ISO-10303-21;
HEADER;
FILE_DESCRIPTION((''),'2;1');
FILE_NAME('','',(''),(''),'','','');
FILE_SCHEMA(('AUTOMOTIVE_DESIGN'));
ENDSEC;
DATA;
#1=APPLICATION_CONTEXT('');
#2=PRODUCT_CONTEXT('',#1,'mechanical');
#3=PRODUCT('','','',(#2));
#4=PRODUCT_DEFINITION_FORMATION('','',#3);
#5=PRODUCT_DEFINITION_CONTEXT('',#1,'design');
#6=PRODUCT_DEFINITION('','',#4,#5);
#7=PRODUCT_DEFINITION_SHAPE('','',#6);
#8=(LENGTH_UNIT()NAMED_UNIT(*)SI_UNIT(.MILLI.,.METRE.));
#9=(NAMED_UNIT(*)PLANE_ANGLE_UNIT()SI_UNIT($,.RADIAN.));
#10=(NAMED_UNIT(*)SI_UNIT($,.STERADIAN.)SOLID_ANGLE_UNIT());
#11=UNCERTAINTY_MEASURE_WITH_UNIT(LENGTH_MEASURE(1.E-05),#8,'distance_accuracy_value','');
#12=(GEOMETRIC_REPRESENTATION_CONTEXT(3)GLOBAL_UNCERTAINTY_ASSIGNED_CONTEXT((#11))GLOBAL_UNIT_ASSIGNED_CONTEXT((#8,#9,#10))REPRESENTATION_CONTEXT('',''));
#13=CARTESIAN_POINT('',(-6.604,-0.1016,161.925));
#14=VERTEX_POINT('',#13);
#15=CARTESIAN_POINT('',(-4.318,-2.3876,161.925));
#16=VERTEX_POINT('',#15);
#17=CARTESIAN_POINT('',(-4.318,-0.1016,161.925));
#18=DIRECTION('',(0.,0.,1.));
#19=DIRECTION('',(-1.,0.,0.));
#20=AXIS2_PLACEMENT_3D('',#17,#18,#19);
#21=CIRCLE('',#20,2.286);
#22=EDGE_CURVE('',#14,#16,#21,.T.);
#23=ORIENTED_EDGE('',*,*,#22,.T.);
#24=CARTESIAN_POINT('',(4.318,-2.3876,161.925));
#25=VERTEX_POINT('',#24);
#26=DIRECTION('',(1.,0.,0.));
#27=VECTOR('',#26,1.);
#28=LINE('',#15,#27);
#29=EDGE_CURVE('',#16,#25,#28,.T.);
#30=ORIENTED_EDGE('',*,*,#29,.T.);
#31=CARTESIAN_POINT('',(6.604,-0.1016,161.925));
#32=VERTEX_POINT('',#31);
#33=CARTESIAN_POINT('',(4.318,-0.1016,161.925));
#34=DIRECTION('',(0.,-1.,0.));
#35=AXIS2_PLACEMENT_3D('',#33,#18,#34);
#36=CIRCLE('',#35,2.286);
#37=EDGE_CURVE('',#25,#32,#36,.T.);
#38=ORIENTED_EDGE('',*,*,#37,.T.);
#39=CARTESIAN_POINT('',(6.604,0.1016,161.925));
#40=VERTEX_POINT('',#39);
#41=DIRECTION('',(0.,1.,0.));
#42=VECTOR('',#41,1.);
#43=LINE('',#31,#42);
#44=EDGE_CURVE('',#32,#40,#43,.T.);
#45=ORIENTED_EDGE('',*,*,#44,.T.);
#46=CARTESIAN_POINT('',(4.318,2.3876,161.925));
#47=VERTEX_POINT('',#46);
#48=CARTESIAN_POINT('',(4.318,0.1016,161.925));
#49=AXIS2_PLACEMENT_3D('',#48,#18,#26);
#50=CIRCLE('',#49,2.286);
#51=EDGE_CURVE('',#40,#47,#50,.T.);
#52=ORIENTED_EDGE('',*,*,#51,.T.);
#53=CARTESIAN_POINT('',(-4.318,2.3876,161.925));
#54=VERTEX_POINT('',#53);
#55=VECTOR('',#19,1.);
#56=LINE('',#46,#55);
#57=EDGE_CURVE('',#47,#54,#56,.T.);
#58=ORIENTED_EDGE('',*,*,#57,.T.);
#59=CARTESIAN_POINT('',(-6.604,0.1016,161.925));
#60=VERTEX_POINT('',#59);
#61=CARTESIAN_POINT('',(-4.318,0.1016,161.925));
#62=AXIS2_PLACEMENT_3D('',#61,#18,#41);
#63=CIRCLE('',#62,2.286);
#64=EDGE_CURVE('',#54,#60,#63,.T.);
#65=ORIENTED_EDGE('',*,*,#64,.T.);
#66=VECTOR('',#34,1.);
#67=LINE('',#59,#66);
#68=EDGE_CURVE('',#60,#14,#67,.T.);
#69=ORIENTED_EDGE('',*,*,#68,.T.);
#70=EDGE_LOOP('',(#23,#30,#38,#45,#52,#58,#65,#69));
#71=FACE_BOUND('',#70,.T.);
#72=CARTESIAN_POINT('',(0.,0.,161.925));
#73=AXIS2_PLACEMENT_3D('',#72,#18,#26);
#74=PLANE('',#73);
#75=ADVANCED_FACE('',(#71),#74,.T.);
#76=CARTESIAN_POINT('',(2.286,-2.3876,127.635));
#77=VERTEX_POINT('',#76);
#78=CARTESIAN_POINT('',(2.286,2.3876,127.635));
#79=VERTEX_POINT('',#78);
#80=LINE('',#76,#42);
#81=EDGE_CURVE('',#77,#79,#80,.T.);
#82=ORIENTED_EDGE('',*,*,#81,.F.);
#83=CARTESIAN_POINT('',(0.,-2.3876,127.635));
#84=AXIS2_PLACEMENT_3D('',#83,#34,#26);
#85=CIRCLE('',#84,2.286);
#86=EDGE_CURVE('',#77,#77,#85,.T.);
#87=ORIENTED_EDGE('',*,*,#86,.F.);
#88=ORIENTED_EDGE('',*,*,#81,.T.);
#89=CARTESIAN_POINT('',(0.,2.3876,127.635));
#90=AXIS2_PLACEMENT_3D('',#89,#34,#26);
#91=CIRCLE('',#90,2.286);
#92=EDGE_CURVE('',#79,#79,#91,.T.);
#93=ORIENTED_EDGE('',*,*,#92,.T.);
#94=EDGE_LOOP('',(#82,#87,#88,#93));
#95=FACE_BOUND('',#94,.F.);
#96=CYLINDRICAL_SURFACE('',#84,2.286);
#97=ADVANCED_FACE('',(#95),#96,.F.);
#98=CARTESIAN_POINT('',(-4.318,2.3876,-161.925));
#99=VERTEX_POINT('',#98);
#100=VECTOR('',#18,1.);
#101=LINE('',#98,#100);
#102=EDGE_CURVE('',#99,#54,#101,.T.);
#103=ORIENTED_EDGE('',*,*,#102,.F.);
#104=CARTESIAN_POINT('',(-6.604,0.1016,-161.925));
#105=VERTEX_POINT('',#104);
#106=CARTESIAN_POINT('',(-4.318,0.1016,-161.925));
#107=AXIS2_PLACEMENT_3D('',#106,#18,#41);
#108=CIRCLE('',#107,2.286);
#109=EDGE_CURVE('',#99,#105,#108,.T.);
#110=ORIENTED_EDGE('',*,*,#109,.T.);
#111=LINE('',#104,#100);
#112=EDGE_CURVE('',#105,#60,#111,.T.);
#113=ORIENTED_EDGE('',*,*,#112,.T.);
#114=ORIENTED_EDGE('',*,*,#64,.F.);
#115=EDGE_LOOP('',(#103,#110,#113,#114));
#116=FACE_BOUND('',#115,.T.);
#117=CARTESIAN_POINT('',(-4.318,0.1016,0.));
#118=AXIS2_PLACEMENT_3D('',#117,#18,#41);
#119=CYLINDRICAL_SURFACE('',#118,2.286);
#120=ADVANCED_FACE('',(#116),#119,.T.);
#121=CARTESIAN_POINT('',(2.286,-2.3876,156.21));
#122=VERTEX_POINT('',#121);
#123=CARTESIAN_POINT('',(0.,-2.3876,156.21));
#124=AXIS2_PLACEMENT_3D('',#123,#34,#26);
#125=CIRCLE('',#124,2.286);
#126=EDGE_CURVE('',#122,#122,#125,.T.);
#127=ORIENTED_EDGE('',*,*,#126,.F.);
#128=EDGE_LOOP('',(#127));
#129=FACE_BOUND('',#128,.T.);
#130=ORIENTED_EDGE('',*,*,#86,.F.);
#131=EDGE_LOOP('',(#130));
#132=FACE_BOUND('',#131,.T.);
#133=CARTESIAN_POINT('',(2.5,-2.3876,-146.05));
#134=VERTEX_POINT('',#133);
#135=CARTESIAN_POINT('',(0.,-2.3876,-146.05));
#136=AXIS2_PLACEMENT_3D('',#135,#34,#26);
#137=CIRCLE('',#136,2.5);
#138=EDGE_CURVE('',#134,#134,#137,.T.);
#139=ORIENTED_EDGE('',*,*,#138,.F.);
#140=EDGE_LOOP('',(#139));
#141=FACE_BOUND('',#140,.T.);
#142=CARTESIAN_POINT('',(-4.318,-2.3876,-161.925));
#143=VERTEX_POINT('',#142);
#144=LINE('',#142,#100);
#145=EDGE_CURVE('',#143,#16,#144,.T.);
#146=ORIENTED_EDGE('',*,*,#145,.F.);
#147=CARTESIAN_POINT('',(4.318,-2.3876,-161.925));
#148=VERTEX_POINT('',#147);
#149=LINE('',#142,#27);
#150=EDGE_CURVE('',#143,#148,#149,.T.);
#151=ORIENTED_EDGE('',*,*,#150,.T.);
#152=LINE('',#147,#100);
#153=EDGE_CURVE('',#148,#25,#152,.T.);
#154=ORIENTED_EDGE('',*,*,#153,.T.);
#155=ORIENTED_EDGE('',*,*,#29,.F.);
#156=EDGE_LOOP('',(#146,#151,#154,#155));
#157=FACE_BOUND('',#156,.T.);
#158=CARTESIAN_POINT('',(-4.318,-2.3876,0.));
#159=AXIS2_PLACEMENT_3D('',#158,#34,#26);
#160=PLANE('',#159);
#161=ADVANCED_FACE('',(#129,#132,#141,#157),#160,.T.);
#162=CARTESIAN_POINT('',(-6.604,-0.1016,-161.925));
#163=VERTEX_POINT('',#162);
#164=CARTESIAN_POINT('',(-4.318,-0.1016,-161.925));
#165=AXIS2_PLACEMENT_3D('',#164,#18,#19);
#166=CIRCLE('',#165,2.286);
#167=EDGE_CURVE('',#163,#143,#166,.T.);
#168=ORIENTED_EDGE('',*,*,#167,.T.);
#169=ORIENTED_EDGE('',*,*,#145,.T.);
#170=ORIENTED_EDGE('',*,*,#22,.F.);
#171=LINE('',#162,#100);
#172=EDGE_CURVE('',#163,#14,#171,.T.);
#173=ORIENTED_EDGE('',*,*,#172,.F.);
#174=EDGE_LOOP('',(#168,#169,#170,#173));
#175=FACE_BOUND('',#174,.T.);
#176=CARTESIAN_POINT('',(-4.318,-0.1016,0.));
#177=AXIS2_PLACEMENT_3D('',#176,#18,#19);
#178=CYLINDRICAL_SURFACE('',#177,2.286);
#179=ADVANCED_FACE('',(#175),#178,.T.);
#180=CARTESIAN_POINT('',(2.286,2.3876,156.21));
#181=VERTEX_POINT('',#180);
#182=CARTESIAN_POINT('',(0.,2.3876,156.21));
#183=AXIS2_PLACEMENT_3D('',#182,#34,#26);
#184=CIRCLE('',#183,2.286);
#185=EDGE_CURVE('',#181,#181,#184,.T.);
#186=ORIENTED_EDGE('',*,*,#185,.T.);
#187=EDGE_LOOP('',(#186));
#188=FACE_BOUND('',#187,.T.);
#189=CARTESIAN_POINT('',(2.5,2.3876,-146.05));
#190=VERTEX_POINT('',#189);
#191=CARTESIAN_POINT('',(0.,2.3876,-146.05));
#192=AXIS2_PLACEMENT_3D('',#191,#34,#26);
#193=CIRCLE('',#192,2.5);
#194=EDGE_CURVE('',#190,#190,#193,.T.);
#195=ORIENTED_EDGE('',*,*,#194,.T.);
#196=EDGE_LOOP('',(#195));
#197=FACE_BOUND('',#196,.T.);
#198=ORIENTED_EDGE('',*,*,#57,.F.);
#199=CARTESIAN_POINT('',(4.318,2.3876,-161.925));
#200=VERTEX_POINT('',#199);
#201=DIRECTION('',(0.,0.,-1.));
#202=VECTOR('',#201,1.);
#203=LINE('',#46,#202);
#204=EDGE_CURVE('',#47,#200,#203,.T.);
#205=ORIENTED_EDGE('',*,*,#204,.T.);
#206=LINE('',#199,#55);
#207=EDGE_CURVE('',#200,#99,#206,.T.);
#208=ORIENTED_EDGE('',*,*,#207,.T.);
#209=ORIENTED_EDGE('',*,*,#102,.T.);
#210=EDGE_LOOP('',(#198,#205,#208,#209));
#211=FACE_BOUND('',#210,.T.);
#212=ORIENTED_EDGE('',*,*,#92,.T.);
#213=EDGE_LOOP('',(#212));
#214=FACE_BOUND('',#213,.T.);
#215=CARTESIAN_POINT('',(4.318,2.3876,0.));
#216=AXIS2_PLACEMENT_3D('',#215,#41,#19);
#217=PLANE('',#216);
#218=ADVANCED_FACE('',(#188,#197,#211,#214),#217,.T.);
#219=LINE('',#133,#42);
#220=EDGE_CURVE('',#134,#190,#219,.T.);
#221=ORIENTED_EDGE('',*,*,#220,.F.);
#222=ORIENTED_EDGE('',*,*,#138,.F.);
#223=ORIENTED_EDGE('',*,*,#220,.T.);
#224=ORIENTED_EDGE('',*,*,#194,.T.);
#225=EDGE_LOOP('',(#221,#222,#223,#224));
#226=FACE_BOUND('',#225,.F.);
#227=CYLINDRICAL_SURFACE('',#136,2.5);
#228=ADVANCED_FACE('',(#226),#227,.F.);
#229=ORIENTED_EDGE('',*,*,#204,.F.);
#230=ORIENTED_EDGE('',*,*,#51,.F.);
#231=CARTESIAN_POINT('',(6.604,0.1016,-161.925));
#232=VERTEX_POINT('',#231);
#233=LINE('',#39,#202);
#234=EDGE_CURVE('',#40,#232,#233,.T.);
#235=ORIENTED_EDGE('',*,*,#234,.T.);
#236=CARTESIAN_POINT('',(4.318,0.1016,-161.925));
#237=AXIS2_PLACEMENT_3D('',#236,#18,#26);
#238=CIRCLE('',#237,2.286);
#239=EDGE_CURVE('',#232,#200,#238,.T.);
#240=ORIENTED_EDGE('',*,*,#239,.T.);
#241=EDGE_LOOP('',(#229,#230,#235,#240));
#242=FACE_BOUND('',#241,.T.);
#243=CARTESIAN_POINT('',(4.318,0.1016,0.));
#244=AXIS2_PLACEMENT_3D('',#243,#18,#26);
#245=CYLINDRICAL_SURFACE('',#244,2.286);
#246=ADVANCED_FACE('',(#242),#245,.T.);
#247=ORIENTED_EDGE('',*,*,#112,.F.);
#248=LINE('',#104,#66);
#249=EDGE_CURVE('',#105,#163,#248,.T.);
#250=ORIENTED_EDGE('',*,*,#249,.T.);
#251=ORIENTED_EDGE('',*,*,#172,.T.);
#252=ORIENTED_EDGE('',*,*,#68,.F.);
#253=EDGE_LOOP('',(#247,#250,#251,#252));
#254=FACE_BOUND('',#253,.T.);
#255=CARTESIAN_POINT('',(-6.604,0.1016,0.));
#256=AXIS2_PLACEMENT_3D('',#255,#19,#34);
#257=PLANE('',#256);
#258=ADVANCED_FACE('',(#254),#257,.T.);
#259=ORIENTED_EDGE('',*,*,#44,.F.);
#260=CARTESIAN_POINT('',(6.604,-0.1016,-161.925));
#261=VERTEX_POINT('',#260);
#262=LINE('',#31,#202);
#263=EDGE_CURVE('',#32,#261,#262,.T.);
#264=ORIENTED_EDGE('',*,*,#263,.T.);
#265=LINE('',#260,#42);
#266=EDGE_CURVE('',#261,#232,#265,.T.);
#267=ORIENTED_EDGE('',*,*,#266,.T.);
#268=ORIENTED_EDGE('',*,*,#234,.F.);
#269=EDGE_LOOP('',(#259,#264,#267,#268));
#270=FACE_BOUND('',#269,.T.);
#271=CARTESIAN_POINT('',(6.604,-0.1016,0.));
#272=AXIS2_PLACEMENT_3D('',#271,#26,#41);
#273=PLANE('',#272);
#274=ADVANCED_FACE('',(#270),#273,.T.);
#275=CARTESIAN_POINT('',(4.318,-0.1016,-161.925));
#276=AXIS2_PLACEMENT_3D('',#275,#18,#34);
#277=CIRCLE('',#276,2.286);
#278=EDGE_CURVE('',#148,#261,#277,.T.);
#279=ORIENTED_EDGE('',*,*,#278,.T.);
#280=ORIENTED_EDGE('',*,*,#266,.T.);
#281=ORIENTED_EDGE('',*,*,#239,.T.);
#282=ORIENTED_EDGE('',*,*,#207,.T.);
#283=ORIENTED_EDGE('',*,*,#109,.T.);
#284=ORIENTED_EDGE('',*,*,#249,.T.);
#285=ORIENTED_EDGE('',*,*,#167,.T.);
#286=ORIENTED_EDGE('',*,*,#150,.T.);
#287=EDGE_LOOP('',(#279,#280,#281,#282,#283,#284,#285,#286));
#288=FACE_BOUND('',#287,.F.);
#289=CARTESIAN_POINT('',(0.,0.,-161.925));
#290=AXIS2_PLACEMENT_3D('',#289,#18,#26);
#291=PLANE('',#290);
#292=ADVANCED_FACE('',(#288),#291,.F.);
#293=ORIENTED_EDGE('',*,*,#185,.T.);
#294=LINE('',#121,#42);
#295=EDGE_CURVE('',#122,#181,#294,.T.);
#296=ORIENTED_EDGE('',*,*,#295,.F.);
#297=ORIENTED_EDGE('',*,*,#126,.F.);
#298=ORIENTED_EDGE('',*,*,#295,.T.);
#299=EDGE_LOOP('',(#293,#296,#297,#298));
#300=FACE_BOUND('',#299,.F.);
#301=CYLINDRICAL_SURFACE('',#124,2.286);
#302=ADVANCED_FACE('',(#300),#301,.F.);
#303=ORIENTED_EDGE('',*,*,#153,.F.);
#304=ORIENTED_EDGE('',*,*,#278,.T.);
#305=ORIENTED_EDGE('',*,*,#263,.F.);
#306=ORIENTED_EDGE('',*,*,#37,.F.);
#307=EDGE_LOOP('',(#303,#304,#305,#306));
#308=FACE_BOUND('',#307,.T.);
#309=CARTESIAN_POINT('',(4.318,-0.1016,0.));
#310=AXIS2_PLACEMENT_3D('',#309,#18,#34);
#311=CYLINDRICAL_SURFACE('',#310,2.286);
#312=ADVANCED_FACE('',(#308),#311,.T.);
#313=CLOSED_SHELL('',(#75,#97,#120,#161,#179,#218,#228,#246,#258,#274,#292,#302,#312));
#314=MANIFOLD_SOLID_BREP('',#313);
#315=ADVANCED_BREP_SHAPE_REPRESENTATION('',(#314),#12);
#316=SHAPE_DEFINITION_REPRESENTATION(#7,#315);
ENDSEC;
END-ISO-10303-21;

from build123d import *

# Parameters (mm, degrees)
F1_DEPTH = 161.925
F2_R     = 2.286
F3_DEPTH = 25.4
F4_R     = 2.5
F5_DEPTH = 25.4


with BuildPart() as f1:
    # F0 (on Top) → F1 (new body, symmetric)
    with BuildSketch(Plane.XY):
        with BuildLine():
            Line((4.318, 2.3876), (-4.318, 2.3876))
            ThreePointArc((-4.318, 2.3876), (-5.9344461018, 1.7180461018), (-6.604, 0.1016))
            Line((-6.604, 0.1016), (-6.604, -0.1016))
            ThreePointArc((-6.604, -0.1016), (-5.9344461018, -1.7180461018), (-4.318, -2.3876))
            Line((-4.318, -2.3876), (4.318, -2.3876))
            ThreePointArc((4.318, -2.3876), (5.9344461018, -1.7180461018), (6.604, -0.1016))
            Line((6.604, -0.1016), (6.604, 0.1016))
            ThreePointArc((6.604, 0.1016), (5.9344461018, 1.7180461018), (4.318, 2.3876))
        make_face()
    extrude(amount=F1_DEPTH, both=True)

    # F2 (on face) → F3 (cut)
    with BuildSketch(Plane.XZ.offset(2.3876)):
        with Locations((0, 156.21)):
            Circle(F2_R)
        with Locations((0, 127.635)):
            Circle(F2_R)
    extrude(amount=-F3_DEPTH, mode=Mode.SUBTRACT)

    # F4 (on face) → F5 (cut)
    with BuildSketch(Plane.XZ.offset(2.3876)):
        with Locations((0, -146.05)):
            Circle(F4_R)
    extrude(amount=-F5_DEPTH, mode=Mode.SUBTRACT)


solid = f1.part
